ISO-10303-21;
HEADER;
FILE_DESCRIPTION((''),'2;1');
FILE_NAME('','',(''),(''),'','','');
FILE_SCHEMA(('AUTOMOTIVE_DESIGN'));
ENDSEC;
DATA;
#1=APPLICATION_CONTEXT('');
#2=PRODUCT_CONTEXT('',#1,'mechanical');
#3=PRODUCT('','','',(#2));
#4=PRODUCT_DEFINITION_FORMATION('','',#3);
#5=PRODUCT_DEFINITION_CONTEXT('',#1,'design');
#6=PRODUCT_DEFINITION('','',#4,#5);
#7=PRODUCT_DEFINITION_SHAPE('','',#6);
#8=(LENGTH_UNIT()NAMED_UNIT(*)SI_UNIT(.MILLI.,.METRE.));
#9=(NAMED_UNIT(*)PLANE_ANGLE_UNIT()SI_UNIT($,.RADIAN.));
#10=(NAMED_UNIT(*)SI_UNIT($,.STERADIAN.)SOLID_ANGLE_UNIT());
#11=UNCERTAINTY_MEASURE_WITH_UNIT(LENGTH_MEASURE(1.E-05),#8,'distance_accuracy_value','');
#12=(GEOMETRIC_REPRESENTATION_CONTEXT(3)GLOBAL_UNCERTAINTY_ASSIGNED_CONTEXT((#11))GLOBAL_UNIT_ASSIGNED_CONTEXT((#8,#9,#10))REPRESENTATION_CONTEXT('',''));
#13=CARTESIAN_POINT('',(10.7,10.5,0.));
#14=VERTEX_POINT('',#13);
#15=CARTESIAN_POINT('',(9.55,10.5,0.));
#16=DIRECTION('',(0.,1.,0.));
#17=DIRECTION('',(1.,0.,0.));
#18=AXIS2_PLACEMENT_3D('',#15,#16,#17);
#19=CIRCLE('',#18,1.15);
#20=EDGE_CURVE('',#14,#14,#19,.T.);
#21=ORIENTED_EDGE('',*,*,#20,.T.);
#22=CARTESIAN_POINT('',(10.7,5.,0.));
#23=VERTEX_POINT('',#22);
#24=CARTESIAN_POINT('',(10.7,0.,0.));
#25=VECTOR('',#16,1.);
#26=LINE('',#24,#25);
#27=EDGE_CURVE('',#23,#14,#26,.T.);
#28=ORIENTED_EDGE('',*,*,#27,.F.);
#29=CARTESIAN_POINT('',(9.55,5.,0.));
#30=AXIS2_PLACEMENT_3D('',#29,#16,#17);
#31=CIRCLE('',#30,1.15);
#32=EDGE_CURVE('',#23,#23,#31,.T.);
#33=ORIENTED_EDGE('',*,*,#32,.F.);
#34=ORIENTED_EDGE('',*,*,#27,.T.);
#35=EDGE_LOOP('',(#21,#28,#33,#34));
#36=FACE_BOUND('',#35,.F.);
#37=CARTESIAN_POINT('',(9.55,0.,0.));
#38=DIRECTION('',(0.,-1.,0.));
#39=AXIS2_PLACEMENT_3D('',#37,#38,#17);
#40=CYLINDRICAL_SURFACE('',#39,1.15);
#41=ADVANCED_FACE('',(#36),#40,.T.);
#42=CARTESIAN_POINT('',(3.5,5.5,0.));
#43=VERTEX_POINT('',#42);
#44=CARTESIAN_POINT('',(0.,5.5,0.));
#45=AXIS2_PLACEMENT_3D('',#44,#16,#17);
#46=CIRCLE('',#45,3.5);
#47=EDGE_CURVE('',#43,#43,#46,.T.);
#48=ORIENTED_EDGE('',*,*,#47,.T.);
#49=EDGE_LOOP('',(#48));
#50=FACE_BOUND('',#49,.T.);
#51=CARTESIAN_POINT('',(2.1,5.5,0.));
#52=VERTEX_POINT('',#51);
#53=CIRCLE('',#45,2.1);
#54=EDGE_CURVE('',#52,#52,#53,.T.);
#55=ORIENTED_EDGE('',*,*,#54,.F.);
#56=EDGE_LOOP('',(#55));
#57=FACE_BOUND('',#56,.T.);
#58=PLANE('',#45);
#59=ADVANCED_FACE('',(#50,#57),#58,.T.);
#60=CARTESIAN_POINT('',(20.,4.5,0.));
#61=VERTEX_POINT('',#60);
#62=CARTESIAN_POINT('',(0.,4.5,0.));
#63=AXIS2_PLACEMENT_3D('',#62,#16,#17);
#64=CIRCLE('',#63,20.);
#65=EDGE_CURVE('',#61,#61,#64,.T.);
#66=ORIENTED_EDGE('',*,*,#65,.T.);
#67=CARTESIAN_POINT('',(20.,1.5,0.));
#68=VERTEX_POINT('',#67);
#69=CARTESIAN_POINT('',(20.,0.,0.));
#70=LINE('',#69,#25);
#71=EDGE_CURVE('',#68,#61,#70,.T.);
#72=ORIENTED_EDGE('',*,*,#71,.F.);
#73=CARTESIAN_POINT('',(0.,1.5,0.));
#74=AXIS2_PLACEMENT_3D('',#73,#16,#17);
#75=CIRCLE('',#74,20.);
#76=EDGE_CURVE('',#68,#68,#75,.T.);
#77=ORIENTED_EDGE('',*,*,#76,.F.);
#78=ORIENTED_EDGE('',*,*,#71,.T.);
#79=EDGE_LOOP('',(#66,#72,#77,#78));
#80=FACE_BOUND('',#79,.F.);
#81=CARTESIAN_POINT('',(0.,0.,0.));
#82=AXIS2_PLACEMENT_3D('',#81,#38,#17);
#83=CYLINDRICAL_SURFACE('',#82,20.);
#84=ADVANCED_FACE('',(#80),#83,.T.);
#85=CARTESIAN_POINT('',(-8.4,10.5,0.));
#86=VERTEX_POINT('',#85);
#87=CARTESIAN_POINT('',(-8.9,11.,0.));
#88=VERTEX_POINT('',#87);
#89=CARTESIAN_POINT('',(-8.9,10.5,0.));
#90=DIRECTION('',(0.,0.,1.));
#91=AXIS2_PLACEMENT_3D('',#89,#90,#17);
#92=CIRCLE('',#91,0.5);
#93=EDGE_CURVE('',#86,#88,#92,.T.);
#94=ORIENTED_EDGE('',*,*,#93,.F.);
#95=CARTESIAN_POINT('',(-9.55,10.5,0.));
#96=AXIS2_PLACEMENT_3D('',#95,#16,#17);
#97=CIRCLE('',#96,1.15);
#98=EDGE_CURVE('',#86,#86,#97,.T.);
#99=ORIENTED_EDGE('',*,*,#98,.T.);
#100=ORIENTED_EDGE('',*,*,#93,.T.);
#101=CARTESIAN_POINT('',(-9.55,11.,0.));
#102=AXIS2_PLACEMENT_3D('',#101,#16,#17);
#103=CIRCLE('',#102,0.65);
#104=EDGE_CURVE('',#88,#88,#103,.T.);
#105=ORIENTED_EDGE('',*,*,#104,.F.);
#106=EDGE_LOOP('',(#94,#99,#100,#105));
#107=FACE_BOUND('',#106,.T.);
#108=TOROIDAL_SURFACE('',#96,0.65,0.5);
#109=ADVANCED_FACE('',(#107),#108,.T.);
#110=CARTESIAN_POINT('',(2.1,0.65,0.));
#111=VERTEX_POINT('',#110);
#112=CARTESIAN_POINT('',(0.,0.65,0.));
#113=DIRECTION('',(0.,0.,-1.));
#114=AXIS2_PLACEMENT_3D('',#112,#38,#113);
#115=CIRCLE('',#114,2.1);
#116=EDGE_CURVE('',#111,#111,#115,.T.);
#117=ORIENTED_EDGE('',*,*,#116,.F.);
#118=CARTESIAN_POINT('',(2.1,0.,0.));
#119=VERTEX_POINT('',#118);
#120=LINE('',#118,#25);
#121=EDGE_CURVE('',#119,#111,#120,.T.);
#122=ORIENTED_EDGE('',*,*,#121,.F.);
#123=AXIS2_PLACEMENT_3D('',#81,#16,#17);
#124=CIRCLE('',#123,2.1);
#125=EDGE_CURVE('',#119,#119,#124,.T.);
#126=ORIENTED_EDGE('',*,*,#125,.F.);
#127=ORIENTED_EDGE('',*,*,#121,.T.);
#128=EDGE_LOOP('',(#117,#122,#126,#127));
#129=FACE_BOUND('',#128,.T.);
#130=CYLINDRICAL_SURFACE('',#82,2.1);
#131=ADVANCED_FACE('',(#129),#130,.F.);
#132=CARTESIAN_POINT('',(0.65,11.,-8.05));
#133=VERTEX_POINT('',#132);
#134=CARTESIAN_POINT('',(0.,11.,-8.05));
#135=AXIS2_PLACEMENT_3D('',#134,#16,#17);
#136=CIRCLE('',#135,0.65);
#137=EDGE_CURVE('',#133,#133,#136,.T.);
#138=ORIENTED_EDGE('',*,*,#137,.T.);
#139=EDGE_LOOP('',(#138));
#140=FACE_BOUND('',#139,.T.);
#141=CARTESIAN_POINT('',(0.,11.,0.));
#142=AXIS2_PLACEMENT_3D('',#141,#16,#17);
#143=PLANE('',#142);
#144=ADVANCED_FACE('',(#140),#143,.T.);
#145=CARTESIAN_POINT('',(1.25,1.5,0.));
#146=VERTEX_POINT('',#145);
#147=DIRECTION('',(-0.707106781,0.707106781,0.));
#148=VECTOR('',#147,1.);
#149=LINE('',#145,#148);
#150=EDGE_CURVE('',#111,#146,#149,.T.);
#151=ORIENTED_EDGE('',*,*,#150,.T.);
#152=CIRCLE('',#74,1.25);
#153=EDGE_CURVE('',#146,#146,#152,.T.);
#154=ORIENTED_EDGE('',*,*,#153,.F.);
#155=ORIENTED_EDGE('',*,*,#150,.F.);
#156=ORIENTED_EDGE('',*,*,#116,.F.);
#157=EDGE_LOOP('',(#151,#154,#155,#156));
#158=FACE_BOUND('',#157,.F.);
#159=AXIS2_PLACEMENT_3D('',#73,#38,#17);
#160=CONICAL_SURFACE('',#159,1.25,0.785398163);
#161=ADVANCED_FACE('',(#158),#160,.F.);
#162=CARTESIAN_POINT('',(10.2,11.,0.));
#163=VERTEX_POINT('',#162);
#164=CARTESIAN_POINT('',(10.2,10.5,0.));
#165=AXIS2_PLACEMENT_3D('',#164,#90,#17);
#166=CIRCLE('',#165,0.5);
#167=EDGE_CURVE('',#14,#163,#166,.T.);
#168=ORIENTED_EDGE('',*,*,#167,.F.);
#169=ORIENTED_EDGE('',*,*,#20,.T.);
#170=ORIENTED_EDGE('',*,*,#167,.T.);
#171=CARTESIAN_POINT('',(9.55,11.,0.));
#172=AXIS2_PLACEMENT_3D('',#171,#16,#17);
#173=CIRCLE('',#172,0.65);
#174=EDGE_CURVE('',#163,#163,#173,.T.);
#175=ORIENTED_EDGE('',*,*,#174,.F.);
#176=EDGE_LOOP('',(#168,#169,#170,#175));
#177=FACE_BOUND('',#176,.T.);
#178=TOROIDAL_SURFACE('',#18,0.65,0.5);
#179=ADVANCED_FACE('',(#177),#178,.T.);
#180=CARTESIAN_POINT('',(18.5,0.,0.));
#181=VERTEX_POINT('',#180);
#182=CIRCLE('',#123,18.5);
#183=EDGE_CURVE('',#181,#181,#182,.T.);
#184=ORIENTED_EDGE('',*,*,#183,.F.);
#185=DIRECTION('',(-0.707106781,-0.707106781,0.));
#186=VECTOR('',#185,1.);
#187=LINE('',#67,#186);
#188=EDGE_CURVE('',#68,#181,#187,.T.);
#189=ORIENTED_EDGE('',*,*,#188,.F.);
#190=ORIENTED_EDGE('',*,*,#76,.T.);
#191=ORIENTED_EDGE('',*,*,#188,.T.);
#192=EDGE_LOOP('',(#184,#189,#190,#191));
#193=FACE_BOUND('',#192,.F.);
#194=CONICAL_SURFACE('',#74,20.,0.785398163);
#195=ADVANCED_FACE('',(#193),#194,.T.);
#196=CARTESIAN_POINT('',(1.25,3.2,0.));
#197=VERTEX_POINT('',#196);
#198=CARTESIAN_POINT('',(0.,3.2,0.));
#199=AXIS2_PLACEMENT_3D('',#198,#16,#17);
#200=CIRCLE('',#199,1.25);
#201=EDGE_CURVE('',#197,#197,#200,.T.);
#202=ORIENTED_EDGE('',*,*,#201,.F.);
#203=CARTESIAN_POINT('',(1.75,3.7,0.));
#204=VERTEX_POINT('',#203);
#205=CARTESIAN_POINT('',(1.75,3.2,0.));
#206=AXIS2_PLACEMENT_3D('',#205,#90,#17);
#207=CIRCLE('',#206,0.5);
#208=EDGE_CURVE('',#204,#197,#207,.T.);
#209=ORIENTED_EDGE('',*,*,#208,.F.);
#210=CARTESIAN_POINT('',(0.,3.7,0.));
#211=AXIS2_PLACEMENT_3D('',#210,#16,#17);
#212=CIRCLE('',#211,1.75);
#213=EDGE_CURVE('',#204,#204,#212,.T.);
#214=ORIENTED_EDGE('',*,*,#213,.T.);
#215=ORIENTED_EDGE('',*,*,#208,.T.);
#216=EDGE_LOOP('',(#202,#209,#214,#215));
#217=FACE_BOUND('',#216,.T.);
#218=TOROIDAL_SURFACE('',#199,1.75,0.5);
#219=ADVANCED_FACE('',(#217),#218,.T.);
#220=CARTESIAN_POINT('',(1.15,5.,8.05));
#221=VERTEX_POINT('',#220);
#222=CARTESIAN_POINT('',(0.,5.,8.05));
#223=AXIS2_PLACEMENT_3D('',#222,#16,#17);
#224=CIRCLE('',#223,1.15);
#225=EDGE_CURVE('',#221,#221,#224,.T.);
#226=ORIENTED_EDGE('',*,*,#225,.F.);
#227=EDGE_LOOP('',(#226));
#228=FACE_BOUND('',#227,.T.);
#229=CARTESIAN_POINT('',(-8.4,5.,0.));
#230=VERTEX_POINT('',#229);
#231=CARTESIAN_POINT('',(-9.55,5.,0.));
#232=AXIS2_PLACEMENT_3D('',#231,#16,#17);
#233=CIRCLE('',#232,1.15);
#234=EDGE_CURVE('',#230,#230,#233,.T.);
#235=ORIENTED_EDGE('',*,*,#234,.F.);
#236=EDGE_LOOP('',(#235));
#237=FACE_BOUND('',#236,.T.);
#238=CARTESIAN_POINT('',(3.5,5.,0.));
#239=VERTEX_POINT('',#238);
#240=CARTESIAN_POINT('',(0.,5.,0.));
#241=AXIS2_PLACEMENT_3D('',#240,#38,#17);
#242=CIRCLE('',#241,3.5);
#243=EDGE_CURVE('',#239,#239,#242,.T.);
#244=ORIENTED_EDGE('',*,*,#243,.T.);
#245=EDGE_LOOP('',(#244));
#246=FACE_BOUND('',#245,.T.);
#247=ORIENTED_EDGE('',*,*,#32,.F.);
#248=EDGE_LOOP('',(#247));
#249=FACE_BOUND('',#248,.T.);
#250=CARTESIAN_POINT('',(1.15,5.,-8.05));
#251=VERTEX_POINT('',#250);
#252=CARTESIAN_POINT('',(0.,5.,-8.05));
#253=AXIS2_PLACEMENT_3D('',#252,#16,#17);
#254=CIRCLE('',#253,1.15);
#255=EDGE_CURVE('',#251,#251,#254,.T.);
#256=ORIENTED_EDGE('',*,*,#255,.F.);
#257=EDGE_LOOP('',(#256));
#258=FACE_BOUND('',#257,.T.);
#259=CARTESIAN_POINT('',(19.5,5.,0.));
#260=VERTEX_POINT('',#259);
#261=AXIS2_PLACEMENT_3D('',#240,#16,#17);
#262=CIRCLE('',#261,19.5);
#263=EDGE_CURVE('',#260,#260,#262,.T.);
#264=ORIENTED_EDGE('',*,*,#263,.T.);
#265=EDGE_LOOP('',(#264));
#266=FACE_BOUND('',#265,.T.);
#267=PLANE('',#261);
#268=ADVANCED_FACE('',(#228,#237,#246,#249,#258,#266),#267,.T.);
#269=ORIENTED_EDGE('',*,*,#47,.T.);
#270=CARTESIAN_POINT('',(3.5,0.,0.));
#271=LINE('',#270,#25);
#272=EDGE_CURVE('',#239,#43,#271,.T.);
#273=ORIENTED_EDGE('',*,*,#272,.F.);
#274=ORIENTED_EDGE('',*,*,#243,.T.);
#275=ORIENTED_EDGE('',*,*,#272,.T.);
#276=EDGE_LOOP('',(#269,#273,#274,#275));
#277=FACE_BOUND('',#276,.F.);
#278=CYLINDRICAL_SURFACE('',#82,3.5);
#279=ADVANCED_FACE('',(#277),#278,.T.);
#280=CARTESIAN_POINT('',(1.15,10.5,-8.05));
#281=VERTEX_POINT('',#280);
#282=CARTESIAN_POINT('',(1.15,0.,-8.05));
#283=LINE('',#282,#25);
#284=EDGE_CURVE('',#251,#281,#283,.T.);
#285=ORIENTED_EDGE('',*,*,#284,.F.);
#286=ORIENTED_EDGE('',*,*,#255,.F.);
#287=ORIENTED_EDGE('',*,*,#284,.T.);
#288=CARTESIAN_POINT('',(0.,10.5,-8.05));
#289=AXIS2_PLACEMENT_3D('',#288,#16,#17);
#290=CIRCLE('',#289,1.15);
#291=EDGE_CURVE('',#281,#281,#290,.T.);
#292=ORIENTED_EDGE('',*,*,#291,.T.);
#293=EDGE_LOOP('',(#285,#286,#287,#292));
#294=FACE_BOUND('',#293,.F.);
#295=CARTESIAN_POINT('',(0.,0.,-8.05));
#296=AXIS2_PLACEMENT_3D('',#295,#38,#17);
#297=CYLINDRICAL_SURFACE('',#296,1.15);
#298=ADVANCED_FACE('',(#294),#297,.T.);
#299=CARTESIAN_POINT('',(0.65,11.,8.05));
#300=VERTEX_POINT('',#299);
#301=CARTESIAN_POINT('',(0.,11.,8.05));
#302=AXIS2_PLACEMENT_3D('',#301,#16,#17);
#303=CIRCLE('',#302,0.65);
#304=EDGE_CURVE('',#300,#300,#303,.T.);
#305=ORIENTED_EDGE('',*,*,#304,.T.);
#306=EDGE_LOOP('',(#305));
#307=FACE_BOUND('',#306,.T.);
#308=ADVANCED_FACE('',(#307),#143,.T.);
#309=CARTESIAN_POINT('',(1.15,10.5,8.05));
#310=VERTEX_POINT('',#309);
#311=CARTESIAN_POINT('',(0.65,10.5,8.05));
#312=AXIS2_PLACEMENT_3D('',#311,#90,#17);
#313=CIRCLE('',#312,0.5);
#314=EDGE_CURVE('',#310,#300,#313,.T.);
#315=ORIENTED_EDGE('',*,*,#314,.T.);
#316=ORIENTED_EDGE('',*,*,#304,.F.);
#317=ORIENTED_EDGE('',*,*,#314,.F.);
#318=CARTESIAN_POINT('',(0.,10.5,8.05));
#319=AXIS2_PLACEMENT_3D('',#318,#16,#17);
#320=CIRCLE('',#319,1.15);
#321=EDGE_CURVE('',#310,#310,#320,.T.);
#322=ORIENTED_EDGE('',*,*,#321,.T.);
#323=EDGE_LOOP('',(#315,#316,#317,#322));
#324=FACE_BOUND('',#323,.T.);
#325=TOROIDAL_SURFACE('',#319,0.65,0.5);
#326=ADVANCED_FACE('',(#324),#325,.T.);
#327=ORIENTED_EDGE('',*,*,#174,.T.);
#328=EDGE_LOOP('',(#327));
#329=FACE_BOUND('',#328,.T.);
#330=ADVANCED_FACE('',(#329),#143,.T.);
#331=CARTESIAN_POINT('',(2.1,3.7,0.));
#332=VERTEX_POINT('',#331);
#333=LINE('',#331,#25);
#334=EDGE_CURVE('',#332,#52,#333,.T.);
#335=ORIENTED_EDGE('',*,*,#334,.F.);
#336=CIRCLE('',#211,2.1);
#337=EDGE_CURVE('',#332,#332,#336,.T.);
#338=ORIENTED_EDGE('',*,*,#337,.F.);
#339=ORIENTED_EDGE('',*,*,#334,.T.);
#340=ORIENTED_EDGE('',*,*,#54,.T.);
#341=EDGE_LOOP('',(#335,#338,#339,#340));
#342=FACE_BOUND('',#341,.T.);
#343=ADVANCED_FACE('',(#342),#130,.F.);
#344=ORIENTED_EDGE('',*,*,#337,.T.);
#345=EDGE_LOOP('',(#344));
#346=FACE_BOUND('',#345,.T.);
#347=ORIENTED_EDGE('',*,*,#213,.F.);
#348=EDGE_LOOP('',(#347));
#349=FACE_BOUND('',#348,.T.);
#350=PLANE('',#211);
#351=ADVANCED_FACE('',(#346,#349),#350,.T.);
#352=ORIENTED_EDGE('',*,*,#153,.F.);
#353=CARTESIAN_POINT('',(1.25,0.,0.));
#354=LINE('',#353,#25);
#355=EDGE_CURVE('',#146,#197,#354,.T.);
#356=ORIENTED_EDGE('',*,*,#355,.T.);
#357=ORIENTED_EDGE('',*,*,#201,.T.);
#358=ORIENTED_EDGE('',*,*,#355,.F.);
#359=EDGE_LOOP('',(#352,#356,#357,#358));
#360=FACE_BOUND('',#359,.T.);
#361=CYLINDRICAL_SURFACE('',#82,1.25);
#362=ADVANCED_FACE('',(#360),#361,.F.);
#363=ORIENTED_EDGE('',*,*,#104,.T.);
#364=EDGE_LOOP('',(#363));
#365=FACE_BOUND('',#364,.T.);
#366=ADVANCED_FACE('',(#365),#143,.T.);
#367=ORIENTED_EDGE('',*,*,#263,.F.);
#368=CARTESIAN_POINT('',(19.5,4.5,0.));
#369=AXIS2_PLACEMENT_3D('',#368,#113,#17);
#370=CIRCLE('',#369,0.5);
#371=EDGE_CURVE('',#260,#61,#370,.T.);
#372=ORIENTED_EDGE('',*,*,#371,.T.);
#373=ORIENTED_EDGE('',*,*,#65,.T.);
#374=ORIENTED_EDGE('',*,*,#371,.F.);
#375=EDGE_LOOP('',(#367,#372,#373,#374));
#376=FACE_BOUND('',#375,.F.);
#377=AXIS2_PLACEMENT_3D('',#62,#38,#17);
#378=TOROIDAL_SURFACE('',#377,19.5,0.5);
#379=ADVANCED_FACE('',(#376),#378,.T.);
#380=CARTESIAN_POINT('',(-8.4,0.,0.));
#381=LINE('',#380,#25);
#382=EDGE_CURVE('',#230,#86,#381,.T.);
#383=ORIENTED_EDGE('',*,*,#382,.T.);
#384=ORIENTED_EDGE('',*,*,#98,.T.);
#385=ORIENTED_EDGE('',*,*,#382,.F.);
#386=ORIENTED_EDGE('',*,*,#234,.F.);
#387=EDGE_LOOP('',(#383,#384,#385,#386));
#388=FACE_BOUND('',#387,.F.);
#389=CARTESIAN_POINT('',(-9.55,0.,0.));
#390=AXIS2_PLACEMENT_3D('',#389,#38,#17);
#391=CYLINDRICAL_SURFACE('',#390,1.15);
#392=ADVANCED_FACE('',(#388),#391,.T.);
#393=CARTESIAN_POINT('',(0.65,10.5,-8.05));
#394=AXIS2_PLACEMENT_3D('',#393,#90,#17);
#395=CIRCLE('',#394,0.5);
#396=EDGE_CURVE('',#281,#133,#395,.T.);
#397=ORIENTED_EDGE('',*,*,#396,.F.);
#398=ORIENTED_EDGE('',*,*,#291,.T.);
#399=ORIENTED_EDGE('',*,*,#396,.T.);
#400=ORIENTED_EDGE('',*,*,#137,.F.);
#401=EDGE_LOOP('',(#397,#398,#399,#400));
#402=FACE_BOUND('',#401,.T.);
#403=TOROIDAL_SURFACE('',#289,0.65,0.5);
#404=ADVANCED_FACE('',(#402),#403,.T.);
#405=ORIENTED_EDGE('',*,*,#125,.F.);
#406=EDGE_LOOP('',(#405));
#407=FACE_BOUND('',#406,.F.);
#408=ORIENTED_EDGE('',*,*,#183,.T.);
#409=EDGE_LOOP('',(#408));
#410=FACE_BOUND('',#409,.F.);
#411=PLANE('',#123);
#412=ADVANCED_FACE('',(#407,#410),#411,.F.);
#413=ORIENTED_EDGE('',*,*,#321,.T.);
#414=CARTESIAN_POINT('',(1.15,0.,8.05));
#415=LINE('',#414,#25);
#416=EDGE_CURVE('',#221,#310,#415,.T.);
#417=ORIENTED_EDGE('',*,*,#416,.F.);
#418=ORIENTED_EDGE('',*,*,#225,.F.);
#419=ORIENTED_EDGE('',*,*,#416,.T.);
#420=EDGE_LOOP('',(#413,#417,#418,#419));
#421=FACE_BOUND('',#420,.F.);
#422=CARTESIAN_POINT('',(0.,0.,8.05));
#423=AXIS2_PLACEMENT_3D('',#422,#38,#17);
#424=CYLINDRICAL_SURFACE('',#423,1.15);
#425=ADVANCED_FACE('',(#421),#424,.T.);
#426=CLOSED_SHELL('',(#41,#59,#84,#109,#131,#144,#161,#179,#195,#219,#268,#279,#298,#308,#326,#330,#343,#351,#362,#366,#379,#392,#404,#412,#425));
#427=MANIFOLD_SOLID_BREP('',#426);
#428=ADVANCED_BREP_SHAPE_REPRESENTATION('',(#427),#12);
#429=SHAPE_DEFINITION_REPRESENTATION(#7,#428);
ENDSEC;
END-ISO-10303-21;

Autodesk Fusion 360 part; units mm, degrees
sketch "Sketch1" plane through (0, 0, 0) normal (0, 1, 0) x (1, 0, 0)
  line L0 (-9.55, 0) -> (9.55, 0) construction
  line L1 (0, 8.05) -> (0, -8.05) construction
  circle A0 centre (0, 8.05) radius 1.15
  circle A1 centre (0, -8.05) radius 1.15
  circle A2 centre (-9.55, 0) radius 1.15
  circle A3 centre (9.55, 0) radius 1.15
  circle A4 centre (0, 0) radius 13.75 construction
  circle A5 centre (0, 0) radius 20
  circle A6 centre (0, 0) radius 2.1
  circle A7 centre (0, 0) radius 1.25
  circle A8 centre (0, 8.05) radius 1.25 construction
  circle A9 centre (9.55, 0) radius 1.25 construction
  circle A10 centre (-9.55, 0) radius 1.25 construction
  circle A11 centre (0, -8.05) radius 1.25 construction
  circle A12 centre (0, 0) radius 3.5
  point P0 (-8.3, 0)
  point P1 (0, 6.8)
  point P2 (8.3, 0)
  point P3 (0, -6.8)
  dimension "d3" = 2.3
  dimension "d4" = 2.3
  dimension "d5" = 2.3
  dimension "d6" = 2.3
  dimension "d7" = 27.5
  dimension "d8" = 40
  dimension "d9" = 4.2
  dimension "d10" = 2.5
  dimension "d24" = 2.5
  dimension "d25" = 2.5
  dimension "d26" = 2.5
  dimension "d27" = 2.5
  dimension "d28" = 13.6
  dimension "d29" = 16.6
  dimension "d30" = 19.1
  dimension "d31" = 7
extrude "Extrude1" add sketch "Sketch1" along normal blind 5 contours A5 | A12
extrude "Extrude2" add sketch "Sketch1" along normal blind 3.7 contours A6
extrude "Extrude3" add sketch "Sketch1" along normal blind 11 contours A0 | A1 | A2 | A3
fillet "Fillet1" radius 0.5 4 edges at (-1.0722, 11, -7.6341) (8.4778, 11, 0.4159) (-1.0722, 11, 8.4659) (-10.6222, 11, 0.4159)
fillet "Fillet2" radius 0.5 1 edges at (-1.1654, 3.7, -0.452)
fillet "Fillet3" radius 0.5 1 edges at (-18.6465, 5, 7.2323)
chamfer "Chamfer1" distance 1.5 angle 45 2 edges at (-18.6465, 0, 7.2323) (-1.1654, 0, -0.452)
extrude "Extrude4" add sketch "Sketch1" along normal blind 5.5 contours A12
